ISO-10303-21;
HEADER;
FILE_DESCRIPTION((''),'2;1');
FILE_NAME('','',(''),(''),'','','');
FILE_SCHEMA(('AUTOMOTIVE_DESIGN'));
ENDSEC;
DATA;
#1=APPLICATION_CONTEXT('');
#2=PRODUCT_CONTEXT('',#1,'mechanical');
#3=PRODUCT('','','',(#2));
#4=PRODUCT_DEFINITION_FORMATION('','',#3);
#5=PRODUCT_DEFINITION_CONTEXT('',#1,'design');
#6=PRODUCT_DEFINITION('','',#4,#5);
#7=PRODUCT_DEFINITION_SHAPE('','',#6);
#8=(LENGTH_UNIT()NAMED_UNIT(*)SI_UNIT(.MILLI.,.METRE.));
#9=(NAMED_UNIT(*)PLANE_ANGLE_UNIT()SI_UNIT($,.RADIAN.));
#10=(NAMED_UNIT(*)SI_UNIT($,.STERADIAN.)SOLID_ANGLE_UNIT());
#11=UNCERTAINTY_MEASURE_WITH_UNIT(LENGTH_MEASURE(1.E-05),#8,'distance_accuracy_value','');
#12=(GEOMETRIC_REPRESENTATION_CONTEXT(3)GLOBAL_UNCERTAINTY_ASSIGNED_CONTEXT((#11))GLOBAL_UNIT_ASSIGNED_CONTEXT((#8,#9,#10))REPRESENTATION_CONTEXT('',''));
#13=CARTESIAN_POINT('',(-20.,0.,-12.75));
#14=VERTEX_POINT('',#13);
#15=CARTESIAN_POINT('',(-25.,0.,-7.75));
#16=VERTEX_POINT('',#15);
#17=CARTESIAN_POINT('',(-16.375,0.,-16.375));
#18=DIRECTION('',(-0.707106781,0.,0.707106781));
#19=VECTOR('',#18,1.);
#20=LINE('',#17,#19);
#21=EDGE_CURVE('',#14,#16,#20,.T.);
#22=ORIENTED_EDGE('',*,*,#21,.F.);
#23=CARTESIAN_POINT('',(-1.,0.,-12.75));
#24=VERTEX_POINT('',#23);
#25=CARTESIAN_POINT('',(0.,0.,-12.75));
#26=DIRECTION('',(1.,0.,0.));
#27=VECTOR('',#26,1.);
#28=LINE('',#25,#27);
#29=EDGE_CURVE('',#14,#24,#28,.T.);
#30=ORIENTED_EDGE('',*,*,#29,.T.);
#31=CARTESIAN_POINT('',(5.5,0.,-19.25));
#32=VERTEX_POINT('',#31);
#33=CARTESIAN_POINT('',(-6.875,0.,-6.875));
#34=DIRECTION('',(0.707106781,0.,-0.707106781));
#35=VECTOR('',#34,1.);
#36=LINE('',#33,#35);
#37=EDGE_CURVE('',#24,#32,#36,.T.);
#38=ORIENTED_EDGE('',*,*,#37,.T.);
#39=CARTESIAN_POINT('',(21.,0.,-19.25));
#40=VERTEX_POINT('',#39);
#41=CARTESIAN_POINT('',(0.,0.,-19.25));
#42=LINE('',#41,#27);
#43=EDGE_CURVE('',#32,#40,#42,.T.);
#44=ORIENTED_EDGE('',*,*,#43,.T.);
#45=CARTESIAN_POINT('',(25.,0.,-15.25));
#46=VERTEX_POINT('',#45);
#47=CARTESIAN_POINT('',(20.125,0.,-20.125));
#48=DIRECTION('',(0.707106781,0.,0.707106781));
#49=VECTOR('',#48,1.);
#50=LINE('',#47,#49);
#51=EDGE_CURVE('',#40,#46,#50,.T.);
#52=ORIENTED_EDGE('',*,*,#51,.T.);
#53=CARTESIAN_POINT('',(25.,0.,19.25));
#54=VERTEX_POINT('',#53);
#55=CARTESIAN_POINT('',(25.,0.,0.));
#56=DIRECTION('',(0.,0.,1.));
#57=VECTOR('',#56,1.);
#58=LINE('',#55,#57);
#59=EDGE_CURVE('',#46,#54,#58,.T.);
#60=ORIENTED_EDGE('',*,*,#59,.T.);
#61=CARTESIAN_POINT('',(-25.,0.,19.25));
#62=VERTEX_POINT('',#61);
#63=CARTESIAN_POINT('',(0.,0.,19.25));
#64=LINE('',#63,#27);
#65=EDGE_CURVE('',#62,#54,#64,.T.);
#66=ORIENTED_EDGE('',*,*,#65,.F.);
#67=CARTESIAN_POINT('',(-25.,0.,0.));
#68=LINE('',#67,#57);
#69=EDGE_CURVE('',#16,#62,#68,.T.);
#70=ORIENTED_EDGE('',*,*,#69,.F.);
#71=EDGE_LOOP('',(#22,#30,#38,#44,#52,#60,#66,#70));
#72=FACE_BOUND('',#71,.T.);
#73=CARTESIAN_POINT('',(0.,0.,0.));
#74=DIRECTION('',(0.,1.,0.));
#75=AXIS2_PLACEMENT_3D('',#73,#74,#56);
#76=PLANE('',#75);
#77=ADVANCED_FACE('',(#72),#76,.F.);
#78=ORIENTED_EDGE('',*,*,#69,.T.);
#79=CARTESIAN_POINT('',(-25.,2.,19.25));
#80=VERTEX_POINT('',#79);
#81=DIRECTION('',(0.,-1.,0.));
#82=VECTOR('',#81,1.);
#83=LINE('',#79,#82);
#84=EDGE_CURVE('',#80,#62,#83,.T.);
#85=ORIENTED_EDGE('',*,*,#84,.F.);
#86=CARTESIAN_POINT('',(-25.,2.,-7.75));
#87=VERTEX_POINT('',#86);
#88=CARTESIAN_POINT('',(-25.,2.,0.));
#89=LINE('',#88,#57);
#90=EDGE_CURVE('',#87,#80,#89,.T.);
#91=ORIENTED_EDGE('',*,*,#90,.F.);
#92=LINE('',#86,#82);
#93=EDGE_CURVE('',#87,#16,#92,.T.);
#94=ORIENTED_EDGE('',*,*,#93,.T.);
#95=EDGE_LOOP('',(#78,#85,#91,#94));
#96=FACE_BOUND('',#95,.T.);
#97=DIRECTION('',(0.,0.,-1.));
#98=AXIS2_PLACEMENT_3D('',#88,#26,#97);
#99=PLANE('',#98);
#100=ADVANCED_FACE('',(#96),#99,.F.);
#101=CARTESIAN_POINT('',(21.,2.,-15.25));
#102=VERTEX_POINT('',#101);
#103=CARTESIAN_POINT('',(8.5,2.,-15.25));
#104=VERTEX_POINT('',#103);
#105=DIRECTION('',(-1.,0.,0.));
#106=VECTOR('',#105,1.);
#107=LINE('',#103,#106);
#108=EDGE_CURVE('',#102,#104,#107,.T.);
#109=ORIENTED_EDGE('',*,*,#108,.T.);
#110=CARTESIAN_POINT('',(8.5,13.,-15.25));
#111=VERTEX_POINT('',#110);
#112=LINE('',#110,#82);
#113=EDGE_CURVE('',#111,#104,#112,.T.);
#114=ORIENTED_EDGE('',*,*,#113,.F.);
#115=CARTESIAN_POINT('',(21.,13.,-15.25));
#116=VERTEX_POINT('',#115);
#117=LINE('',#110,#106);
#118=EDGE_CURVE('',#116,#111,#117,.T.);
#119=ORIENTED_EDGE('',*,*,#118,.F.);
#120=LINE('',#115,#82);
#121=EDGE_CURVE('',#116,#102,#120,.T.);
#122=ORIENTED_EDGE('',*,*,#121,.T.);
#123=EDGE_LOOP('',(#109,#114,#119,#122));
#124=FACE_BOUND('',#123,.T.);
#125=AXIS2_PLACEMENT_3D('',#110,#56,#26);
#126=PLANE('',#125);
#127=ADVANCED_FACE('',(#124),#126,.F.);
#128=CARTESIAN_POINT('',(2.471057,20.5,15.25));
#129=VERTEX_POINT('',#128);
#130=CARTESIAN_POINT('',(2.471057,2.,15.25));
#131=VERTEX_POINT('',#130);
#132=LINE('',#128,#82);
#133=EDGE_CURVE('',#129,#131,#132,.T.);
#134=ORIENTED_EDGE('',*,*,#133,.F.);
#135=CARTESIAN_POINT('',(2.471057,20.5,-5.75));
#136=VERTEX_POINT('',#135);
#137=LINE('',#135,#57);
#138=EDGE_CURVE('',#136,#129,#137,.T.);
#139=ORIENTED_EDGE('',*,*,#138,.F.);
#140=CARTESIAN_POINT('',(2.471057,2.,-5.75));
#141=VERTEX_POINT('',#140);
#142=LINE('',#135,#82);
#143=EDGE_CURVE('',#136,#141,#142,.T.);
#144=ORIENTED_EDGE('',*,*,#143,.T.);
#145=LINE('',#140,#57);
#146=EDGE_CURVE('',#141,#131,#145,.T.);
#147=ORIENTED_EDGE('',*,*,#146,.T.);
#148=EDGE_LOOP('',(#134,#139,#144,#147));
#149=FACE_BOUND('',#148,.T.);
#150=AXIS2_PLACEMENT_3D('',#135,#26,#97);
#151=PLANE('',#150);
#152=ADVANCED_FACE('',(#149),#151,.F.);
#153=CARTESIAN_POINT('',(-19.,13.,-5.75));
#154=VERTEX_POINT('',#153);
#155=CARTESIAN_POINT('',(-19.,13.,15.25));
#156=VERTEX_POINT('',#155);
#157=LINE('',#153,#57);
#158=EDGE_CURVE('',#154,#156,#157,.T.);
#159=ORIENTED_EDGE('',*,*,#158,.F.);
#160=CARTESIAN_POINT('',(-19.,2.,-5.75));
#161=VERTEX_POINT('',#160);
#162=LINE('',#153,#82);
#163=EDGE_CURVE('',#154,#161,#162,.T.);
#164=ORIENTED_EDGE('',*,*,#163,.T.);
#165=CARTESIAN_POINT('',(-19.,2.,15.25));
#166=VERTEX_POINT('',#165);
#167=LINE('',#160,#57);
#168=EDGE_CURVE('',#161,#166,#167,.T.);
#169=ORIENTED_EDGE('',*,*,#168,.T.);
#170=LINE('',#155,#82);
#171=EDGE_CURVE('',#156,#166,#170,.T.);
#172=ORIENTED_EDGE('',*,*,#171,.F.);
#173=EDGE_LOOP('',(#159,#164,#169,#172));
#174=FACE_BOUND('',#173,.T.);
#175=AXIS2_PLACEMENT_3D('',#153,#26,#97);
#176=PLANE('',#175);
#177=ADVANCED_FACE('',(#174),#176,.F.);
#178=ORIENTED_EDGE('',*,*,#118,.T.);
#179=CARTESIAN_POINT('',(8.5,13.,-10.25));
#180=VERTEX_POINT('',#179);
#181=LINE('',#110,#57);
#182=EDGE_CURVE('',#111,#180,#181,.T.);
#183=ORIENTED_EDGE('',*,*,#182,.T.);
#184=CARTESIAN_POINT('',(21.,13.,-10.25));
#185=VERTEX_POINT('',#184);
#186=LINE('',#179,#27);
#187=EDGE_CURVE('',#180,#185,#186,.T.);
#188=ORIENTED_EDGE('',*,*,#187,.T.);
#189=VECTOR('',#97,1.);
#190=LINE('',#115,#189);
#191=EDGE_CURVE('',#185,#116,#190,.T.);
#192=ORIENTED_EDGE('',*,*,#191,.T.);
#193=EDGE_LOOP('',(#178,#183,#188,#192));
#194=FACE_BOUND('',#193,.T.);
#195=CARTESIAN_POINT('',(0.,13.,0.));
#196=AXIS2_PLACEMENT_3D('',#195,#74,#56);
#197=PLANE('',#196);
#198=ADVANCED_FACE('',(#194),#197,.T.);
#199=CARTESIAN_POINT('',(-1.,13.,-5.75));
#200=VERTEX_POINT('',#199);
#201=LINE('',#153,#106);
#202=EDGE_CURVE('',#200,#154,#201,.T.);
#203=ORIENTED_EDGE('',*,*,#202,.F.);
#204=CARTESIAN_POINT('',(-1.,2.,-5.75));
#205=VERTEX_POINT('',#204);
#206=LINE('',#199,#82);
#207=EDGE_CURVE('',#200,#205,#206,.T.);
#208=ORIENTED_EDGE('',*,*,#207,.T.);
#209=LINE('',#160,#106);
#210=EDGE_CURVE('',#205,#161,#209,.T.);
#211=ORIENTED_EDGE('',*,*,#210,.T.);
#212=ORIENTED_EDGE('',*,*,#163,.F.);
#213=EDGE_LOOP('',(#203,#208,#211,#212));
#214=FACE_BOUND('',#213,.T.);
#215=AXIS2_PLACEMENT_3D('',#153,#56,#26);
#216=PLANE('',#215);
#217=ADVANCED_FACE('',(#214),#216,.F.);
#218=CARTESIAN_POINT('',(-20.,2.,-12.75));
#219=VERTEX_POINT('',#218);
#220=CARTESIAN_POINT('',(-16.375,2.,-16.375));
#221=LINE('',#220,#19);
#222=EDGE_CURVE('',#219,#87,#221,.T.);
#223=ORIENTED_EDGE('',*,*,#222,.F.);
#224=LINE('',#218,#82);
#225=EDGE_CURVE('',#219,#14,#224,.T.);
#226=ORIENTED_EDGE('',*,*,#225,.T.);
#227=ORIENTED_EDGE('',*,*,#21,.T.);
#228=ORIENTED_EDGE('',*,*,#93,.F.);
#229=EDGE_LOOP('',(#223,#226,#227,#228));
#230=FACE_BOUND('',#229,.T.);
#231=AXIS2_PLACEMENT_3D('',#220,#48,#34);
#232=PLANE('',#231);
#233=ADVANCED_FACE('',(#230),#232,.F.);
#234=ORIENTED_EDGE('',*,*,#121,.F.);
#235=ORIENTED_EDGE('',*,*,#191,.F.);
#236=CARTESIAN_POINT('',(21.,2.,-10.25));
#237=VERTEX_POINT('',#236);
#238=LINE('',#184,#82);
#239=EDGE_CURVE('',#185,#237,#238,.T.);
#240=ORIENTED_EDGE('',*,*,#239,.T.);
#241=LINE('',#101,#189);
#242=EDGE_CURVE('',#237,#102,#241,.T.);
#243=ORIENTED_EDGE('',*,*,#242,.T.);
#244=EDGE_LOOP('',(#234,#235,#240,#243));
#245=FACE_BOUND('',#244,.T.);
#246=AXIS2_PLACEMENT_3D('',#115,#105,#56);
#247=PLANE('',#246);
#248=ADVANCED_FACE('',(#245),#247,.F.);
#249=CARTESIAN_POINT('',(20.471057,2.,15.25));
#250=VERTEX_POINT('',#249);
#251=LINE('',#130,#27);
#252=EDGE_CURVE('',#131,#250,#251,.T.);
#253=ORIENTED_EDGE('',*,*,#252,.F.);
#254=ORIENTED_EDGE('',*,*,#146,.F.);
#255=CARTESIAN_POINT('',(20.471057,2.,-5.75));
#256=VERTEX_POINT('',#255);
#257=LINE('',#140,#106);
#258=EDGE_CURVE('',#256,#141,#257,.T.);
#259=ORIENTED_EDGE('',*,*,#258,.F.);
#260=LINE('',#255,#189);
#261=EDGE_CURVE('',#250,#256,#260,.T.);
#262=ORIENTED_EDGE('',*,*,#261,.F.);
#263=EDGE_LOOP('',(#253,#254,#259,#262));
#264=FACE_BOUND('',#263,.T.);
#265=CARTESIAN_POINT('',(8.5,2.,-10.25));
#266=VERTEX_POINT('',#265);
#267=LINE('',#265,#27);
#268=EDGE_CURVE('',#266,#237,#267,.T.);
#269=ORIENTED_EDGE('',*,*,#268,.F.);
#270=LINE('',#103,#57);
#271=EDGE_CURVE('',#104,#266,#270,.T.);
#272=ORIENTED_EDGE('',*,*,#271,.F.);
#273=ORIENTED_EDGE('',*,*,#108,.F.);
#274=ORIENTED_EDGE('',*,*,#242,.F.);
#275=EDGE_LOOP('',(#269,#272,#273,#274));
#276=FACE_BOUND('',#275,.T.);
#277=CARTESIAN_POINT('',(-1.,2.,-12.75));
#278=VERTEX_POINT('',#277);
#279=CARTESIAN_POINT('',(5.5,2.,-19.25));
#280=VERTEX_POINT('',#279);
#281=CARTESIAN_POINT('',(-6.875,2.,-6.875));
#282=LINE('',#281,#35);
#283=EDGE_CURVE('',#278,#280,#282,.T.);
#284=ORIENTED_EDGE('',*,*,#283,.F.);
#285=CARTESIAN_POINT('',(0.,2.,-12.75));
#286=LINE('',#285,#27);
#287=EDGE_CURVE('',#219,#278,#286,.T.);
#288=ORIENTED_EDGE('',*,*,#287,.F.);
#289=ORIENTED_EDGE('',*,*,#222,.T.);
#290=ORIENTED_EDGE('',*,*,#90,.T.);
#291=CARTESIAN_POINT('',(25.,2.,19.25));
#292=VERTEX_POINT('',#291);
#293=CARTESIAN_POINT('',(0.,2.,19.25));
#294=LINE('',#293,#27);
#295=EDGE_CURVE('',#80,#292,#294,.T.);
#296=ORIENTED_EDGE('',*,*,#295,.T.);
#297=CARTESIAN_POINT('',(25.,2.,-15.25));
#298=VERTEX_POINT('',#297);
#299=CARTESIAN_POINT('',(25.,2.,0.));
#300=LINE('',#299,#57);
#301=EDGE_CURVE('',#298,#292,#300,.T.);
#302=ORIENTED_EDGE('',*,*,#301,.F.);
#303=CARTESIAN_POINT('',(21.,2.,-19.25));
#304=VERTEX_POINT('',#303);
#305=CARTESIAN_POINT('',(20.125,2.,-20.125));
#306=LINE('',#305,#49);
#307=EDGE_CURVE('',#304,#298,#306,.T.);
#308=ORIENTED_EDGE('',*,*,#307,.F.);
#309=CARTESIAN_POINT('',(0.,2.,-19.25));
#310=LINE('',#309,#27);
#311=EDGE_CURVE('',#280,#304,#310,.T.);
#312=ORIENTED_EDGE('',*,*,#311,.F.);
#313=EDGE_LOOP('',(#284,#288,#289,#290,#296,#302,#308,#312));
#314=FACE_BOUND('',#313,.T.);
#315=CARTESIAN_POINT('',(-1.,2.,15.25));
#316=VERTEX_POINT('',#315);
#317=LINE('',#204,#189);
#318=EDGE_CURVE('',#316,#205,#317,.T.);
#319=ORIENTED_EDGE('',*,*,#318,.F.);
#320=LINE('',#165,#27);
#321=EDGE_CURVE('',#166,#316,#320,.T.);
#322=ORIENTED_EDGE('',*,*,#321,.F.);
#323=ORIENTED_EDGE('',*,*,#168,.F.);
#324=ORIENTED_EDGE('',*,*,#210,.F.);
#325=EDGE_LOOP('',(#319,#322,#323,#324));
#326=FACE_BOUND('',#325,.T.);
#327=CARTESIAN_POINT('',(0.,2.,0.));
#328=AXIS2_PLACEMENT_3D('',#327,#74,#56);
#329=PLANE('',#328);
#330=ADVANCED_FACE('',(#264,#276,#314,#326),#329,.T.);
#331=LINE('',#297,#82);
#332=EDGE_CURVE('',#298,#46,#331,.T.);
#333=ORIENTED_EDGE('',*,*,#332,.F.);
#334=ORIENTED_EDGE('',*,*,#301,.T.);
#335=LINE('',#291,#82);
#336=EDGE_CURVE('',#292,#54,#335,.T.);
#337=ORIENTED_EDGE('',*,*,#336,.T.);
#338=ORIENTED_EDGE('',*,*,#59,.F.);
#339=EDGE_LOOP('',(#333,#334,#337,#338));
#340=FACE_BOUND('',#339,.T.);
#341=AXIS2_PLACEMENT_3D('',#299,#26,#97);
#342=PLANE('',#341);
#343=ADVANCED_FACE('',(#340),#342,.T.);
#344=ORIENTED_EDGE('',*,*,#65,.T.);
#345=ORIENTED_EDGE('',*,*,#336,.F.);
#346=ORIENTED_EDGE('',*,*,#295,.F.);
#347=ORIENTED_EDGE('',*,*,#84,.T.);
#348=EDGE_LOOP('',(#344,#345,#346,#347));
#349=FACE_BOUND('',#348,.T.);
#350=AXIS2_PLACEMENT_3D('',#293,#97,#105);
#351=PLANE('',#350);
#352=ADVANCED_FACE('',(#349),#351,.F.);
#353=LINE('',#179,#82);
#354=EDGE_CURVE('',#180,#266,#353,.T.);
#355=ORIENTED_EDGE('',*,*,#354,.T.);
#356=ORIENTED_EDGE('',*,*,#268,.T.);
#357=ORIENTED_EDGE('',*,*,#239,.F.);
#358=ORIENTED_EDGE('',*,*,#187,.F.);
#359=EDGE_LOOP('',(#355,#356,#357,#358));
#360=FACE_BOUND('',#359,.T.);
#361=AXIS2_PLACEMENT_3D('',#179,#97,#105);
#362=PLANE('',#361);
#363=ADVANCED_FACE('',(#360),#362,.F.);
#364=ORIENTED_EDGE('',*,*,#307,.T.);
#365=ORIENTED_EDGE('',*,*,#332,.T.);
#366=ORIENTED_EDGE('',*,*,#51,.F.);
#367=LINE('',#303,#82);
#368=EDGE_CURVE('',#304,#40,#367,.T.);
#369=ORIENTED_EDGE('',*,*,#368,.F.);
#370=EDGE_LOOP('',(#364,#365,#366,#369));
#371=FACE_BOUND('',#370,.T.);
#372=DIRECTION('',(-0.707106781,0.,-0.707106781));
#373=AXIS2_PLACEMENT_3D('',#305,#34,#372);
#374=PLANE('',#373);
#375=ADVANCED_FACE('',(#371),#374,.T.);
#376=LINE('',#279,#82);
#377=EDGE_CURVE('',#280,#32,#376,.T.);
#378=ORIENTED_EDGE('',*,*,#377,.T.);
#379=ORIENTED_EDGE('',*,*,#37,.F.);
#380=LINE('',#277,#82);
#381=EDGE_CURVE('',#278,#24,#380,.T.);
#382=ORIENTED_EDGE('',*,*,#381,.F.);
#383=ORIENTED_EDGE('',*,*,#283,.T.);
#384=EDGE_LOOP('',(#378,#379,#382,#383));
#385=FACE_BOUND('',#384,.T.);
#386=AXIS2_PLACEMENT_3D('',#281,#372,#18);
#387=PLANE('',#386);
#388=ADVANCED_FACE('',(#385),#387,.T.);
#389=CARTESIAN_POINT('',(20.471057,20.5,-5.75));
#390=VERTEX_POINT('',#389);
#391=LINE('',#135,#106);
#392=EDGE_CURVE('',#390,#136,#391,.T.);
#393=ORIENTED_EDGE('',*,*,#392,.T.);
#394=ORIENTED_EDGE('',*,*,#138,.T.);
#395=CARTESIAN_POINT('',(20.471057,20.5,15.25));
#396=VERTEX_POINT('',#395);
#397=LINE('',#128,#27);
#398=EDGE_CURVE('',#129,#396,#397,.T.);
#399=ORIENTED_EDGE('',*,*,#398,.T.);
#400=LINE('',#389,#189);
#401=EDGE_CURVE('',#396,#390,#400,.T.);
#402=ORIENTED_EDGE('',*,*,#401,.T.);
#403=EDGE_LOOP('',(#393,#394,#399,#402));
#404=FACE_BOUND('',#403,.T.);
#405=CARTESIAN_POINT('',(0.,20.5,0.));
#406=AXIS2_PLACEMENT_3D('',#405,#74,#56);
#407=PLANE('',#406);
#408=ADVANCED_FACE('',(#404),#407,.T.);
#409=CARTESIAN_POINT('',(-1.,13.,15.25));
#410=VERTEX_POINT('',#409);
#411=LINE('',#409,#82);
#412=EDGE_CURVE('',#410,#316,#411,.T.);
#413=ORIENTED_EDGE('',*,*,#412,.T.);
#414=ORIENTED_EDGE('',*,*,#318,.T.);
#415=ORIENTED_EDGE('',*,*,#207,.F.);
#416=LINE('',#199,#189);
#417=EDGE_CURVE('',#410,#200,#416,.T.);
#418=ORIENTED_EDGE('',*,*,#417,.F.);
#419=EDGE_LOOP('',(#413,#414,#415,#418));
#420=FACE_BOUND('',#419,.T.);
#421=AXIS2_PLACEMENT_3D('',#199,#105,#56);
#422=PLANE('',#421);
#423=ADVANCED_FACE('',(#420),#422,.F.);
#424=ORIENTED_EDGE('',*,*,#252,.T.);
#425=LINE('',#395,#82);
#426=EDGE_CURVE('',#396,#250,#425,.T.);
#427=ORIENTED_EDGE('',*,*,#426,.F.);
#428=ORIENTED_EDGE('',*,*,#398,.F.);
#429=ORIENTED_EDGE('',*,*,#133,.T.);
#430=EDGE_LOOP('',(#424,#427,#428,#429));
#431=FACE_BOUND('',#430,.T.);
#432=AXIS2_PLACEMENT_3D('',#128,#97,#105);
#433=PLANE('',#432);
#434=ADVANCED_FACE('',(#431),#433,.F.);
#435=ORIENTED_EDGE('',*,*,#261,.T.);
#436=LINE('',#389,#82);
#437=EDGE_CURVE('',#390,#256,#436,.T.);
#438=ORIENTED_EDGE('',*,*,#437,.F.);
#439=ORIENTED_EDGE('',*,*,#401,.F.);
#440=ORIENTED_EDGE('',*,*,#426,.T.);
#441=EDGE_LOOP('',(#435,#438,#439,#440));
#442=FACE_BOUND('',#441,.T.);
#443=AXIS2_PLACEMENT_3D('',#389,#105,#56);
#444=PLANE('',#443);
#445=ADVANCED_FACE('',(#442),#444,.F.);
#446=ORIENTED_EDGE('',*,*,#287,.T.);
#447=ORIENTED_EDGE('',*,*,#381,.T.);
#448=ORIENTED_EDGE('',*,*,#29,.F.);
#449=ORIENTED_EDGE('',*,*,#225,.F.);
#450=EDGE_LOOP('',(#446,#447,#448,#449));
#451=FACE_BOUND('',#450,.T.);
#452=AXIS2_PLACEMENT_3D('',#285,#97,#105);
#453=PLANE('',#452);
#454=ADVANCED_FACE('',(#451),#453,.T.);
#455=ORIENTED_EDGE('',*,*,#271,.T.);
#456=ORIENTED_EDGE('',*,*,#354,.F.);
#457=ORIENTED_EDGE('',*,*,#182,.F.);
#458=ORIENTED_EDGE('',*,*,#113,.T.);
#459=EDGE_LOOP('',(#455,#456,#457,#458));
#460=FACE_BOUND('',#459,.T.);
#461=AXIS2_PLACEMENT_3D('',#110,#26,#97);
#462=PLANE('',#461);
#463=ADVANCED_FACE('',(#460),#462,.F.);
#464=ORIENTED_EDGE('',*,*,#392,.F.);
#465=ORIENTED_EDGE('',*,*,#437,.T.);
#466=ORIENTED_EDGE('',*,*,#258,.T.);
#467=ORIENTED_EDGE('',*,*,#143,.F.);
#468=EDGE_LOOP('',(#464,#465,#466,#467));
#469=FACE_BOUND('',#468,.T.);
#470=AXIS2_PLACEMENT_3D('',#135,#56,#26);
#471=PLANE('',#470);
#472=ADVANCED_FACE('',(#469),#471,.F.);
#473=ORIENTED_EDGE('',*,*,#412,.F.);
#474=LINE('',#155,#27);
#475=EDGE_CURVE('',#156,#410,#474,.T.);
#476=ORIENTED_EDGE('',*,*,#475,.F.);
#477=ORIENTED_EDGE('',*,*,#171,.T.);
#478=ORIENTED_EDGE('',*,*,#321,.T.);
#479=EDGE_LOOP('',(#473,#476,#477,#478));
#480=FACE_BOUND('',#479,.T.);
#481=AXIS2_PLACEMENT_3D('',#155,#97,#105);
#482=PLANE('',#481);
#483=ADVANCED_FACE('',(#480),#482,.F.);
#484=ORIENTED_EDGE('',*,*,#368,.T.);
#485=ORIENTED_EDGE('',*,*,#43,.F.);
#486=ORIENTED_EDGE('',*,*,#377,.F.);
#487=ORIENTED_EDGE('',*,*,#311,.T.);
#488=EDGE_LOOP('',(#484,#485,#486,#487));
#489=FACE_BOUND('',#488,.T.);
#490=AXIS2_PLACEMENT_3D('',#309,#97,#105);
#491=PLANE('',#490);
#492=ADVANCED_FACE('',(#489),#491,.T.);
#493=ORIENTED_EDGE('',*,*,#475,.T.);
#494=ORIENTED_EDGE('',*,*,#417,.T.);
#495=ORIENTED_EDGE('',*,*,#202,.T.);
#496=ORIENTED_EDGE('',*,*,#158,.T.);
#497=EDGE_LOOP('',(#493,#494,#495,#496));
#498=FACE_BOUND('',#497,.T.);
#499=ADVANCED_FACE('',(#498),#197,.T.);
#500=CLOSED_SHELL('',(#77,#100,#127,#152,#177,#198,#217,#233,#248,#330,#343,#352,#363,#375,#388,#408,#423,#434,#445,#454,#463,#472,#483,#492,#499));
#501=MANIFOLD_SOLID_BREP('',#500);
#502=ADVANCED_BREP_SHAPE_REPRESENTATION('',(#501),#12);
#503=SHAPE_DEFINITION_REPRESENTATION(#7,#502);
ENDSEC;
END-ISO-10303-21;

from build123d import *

# Parameters (mm, degrees)
BOSS_EXTRUDE1_DEPTH = 2
SKETCH2_W           = 18
SKETCH2_H           = 21
BOSS_EXTRUDE2_DEPTH = 11
SKETCH3_W           = 18
SKETCH3_H           = 21
BOSS_EXTRUDE3_DEPTH = 18.5
SKETCH4_W           = 12.5
SKETCH4_H           = 5
BOSS_EXTRUDE4_DEPTH = 11


with BuildPart() as part:
    # Sketch1 → Boss-Extrude1 (new body)
    with BuildSketch(Plane(origin=(0, 0, 0), x_dir=(1, 0, 0), z_dir=(0, 1, 0))):
        Polygon((-1, 12.75), (-20, 12.75), (-25, 7.75), (-25, -19.25), (25, -19.25), (25, 15.25), (21, 19.25), (5.5, 19.25), align=None)
    extrude(amount=BOSS_EXTRUDE1_DEPTH)

    # Sketch2 → Boss-Extrude2 (add)
    with BuildSketch(Plane(origin=(0, 2, 0), x_dir=(1, 0, 0), z_dir=(0, 1, 0))):
        with Locations((-10, -4.75)):
            Rectangle(SKETCH2_W, SKETCH2_H)
    extrude(amount=BOSS_EXTRUDE2_DEPTH)

    # Sketch3 → Boss-Extrude3 (add)
    with BuildSketch(Plane(origin=(0, 2, 0), x_dir=(1, 0, 0), z_dir=(0, 1, 0))):
        with Locations((11.471056506, -4.75)):
            Rectangle(SKETCH3_W, SKETCH3_H)
    extrude(amount=BOSS_EXTRUDE3_DEPTH)

    # Sketch4 → Boss-Extrude4 (add)
    with BuildSketch(Plane(origin=(0, 2, 0), x_dir=(1, 0, 0), z_dir=(0, 1, 0))):
        with Locations((14.75, 12.75)):
            Rectangle(SKETCH4_W, SKETCH4_H)
    extrude(amount=BOSS_EXTRUDE4_DEPTH)


solid = part.part
